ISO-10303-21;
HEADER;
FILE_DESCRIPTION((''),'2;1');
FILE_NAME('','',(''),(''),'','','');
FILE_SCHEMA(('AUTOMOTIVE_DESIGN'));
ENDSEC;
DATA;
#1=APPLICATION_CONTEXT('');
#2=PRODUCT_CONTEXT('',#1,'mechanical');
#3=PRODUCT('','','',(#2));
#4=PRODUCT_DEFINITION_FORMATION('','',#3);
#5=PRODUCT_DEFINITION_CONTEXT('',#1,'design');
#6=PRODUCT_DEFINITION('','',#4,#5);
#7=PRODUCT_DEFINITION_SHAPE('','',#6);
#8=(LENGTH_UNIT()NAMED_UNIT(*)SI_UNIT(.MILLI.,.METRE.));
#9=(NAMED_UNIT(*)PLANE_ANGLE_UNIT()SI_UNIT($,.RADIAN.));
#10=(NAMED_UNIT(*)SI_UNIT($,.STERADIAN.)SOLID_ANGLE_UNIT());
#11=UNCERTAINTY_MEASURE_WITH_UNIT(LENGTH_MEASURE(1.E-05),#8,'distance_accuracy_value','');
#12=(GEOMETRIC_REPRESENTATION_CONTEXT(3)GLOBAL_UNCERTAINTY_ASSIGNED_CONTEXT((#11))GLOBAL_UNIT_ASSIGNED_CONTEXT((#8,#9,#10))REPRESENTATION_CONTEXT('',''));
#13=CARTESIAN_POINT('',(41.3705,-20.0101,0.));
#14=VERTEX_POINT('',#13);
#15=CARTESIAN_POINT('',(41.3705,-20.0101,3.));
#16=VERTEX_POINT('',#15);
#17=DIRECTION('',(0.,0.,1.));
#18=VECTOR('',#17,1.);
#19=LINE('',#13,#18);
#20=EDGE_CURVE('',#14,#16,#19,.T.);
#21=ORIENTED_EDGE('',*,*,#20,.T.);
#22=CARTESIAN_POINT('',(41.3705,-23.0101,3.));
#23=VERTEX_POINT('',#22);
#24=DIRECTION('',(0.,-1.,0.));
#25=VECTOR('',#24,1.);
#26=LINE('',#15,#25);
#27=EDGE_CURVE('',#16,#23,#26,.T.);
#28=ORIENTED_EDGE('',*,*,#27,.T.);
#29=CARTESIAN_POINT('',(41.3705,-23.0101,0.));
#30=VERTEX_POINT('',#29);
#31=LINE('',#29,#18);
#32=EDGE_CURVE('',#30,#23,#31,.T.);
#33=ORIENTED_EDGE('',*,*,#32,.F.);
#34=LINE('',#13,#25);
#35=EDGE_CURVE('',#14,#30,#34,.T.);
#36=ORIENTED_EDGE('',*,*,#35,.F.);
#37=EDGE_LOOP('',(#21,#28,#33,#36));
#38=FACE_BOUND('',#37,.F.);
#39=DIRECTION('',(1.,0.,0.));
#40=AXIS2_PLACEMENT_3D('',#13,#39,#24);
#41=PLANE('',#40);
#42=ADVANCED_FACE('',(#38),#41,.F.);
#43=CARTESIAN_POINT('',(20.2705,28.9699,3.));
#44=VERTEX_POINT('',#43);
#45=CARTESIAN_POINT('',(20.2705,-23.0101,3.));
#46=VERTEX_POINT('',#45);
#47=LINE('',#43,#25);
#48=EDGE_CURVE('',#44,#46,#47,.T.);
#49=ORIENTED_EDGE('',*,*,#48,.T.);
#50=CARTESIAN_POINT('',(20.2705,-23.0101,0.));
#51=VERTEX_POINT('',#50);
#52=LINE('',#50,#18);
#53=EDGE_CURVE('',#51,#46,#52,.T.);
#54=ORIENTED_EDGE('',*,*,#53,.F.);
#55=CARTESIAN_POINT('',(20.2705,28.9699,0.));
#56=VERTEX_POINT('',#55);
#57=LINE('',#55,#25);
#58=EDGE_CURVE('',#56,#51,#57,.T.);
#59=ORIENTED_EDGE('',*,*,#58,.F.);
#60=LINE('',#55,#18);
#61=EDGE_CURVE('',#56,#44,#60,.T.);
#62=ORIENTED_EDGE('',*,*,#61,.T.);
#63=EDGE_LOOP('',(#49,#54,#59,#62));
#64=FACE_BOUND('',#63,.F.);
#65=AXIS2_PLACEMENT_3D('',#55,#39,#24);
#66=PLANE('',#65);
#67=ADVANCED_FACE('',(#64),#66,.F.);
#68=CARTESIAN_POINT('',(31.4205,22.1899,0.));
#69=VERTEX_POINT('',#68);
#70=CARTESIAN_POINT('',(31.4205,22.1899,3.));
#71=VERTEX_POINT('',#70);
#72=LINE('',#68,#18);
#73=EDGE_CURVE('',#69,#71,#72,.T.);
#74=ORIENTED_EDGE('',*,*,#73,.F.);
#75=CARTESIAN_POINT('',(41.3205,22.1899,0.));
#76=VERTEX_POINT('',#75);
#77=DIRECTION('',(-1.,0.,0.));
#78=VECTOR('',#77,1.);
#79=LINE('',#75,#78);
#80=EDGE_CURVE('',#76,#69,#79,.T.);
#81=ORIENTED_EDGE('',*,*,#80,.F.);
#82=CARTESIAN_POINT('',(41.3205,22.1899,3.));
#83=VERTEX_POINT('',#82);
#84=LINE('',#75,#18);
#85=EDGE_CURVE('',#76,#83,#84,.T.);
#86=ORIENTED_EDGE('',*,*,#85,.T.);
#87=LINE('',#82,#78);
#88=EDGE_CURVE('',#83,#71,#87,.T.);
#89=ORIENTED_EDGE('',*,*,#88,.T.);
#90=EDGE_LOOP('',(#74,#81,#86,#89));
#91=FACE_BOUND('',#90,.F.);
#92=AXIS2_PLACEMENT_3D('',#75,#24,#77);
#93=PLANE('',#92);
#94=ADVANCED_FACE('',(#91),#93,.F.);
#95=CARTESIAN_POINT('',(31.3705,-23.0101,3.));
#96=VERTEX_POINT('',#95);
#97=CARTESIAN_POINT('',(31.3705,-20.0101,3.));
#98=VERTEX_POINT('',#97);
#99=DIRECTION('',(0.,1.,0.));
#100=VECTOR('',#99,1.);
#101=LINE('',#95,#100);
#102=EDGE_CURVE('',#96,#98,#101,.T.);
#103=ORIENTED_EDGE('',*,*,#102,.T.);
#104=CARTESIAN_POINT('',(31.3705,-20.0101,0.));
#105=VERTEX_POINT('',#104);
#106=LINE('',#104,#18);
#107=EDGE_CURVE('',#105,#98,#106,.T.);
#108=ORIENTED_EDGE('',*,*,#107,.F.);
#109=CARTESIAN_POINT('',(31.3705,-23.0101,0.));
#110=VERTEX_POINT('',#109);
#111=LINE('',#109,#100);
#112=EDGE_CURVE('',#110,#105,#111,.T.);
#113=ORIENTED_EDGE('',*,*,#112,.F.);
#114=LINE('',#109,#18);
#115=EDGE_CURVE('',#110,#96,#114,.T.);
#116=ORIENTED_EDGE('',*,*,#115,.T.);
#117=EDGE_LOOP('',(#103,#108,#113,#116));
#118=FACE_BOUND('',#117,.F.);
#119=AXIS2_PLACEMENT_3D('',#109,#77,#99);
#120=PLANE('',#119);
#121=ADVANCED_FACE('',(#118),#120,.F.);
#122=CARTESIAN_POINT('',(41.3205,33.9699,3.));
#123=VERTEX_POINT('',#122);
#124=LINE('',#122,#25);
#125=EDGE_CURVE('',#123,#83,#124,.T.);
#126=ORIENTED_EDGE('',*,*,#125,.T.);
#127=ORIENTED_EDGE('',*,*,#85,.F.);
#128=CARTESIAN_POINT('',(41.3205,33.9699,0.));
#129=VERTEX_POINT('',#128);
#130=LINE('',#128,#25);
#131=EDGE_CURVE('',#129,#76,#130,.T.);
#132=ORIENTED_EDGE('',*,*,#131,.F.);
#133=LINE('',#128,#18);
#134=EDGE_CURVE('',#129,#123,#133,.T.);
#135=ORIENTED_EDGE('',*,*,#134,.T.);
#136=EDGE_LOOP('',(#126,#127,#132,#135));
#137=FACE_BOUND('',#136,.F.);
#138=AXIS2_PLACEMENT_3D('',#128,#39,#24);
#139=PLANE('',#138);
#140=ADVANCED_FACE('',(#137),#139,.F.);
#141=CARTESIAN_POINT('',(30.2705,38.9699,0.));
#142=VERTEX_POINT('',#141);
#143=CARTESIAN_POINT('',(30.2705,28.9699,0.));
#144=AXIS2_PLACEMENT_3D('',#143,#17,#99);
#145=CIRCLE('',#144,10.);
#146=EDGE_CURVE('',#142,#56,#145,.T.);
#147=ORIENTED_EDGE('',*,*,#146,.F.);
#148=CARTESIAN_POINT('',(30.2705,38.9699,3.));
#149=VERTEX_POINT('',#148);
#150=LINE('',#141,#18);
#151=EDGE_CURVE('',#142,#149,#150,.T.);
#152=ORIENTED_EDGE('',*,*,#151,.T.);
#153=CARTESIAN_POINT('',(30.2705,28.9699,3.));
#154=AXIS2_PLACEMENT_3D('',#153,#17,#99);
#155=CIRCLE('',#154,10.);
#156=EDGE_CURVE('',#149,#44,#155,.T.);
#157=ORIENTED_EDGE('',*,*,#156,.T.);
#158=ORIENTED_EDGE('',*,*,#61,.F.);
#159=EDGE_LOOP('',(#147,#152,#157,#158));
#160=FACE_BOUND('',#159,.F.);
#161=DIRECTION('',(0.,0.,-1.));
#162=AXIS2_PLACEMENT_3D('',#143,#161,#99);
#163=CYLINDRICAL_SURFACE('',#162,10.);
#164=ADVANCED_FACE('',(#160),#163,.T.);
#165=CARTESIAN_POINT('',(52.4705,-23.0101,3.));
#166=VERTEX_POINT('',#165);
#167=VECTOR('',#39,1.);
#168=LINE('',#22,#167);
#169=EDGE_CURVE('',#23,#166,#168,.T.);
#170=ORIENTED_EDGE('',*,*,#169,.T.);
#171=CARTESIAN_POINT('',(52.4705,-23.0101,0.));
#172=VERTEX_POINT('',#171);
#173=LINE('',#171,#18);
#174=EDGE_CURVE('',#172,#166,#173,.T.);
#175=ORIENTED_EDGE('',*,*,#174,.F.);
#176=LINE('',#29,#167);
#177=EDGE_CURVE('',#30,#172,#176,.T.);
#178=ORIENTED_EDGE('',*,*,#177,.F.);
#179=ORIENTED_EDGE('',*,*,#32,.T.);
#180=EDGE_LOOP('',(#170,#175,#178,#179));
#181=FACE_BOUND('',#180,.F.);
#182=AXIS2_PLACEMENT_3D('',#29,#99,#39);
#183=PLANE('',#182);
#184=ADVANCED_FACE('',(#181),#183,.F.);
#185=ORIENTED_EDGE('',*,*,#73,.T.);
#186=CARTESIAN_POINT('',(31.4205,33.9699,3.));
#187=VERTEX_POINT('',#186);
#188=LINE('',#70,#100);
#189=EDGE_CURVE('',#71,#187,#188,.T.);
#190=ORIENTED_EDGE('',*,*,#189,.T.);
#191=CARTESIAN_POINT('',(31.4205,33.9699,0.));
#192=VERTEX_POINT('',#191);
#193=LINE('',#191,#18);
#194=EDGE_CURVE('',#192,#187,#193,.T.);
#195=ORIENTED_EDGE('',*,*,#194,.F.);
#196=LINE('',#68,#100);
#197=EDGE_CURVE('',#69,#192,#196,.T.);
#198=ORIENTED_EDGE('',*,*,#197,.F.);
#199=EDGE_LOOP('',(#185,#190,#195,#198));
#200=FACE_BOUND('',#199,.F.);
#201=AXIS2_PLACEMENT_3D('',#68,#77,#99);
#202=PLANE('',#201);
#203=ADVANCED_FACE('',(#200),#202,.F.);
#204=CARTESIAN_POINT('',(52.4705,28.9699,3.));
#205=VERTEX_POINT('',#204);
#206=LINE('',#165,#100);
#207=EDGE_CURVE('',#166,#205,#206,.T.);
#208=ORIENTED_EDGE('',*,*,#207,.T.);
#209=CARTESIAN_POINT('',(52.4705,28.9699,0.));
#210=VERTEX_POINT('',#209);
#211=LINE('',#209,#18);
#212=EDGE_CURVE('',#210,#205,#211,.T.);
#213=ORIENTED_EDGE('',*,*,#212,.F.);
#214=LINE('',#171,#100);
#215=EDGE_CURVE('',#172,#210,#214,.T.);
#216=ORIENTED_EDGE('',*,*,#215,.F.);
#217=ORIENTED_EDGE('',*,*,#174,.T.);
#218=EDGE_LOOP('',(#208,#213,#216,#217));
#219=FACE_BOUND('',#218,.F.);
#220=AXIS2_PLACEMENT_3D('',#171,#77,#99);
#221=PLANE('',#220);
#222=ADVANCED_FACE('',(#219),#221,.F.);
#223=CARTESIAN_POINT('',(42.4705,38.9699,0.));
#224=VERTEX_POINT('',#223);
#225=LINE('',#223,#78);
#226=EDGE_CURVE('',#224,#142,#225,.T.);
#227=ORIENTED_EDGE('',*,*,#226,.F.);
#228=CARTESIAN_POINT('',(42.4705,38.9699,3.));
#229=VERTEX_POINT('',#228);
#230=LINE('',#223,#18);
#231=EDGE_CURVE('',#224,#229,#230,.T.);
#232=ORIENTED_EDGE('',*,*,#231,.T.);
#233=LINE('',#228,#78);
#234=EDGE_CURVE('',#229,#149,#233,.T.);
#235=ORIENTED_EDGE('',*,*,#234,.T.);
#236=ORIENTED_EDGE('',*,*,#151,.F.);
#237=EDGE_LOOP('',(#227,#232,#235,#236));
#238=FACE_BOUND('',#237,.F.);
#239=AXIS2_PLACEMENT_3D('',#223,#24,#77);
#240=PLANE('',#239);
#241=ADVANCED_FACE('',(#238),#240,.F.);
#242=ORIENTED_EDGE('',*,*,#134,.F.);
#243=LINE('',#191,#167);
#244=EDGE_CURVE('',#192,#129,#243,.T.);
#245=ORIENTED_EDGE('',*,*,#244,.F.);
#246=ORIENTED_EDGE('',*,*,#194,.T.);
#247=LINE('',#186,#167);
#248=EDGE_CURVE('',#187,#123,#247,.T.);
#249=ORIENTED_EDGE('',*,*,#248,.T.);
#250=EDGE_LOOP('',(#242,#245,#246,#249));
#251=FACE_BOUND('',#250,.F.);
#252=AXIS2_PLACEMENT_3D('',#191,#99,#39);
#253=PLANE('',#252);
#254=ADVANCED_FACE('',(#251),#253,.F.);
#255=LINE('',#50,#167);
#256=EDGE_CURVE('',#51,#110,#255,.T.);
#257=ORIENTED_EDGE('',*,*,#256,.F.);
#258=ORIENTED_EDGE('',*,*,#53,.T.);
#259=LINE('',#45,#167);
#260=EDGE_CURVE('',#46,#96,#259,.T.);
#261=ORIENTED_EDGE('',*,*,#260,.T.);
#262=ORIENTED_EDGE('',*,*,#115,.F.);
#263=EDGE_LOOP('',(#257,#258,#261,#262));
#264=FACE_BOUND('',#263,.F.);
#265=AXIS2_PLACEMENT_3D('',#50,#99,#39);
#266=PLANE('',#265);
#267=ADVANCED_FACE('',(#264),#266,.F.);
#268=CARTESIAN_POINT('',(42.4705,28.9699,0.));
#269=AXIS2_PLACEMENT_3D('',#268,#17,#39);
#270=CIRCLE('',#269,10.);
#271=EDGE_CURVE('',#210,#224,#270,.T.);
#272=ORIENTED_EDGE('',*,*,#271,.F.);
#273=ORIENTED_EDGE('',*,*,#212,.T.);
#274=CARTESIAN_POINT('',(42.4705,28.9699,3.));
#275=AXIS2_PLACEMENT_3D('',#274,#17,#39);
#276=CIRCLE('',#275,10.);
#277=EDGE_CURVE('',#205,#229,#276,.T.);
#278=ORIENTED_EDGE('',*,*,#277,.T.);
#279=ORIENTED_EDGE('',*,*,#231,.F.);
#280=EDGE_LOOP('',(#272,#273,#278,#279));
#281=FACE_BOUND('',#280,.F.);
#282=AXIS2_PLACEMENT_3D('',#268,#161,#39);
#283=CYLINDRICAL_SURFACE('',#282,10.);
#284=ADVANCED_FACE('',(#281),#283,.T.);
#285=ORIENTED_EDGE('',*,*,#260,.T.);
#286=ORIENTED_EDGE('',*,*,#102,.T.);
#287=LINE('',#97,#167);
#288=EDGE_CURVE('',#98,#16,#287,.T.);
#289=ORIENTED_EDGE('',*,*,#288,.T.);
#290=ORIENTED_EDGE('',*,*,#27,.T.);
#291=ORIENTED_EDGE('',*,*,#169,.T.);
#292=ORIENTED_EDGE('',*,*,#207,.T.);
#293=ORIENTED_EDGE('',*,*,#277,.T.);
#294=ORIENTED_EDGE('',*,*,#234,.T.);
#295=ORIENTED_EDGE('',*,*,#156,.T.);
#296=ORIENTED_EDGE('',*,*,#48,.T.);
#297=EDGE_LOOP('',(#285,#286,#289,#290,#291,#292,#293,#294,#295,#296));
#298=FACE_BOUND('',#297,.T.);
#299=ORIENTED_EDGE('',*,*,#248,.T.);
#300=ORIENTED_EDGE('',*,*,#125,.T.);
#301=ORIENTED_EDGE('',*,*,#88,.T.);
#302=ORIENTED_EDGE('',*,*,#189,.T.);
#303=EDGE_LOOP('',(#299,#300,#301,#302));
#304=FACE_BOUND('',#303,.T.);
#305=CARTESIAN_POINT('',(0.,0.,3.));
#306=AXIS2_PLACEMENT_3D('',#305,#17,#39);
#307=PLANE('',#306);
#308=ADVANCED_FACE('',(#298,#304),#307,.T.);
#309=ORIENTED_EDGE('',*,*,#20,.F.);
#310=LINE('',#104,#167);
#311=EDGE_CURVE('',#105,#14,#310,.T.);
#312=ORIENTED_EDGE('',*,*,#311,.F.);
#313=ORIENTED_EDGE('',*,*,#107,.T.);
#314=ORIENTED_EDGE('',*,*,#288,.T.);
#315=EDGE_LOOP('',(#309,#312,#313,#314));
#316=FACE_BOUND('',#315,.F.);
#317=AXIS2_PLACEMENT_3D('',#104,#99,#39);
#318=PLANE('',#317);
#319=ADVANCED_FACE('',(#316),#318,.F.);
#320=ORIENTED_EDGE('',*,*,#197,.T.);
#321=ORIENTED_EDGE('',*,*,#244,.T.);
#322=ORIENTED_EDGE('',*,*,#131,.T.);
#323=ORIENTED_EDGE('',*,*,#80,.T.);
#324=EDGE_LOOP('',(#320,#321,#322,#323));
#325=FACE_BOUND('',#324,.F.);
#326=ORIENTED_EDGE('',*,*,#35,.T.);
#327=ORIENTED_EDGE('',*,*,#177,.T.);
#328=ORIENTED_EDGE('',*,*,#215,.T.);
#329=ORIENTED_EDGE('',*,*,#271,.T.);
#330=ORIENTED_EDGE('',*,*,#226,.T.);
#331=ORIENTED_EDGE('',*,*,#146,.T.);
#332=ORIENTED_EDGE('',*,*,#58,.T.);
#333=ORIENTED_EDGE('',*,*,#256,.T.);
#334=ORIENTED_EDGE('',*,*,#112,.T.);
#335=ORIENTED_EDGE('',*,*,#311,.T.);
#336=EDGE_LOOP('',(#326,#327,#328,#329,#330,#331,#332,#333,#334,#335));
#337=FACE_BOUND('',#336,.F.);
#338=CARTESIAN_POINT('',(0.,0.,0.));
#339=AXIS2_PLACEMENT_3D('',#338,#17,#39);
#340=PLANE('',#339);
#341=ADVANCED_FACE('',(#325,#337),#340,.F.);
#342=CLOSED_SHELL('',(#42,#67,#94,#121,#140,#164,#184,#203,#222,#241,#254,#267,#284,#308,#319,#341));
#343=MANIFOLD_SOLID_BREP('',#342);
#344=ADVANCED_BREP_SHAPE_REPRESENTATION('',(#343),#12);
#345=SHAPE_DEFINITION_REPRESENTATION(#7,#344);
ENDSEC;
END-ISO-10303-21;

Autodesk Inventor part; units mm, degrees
ref_plane "YZ Plane" through (0, 0, 0) normal (1, 0, 0) x (0, 1, 0)
ref_plane "XZ Plane" through (0, 0, 0) normal (0, 1, 0) x (-1, 0, 0)
ref_plane "XY Plane" through (0, 0, 0) normal (0, 0, 1) x (1, 0, 0)
sketch "Sketch1" plane through (0, 0, 0) normal (0, 0, 1) x (1, 0, 0)
  line L0 (42.4705, 38.9699) -> (30.2705, 38.9699)
  line L1 (20.2705, 28.9699) -> (20.2705, -23.0101)
  line L2 (52.4705, -23.0101) -> (52.4705, 28.9699)
  line L3 (31.4205, 33.9699) -> (41.3205, 33.9699)
  line L4 (41.3205, 33.9699) -> (41.3205, 22.1899)
  line L5 (41.3205, 22.1899) -> (31.4205, 22.1899)
  line L6 (31.4205, 22.1899) -> (31.4205, 33.9699)
  arc A0 (30.2705, 38.9699) -> (20.2705, 28.9699) centre (30.2705, 28.9699) ccw
  arc A1 (52.4705, 28.9699) -> (42.4705, 38.9699) centre (42.4705, 28.9699) ccw
  line L7 (31.3705, -23.0101) -> (31.3705, -20.0101)
  line L8 (31.3705, -20.0101) -> (41.3705, -20.0101)
  line L9 (41.3705, -20.0101) -> (41.3705, -23.0101)
  line L10 (20.2705, -23.0101) -> (31.3705, -23.0101)
  line L11 (41.3705, -23.0101) -> (52.4705, -23.0101)
  line L12 (41.3705, -23.0101) -> (41.3205, -23.0101)
  line L13 (31.4205, -23.0101) -> (31.3705, -23.0101)
  point P0 (0, 0)
  dimension "d0" = 9.9
  dimension "d1" = 11.78
  dimension "d3" = 32.2
  dimension "d5" = 11.15
  dimension "d6" = 5
  dimension "d7" = 10
  dimension "d8" = 10
  dimension "d9" = 3
  dimension "d10" = 11.1
extrude "Extrusion1" add sketch "Sketch1" along normal blind 3
properties part number "Stuze_Poti"
